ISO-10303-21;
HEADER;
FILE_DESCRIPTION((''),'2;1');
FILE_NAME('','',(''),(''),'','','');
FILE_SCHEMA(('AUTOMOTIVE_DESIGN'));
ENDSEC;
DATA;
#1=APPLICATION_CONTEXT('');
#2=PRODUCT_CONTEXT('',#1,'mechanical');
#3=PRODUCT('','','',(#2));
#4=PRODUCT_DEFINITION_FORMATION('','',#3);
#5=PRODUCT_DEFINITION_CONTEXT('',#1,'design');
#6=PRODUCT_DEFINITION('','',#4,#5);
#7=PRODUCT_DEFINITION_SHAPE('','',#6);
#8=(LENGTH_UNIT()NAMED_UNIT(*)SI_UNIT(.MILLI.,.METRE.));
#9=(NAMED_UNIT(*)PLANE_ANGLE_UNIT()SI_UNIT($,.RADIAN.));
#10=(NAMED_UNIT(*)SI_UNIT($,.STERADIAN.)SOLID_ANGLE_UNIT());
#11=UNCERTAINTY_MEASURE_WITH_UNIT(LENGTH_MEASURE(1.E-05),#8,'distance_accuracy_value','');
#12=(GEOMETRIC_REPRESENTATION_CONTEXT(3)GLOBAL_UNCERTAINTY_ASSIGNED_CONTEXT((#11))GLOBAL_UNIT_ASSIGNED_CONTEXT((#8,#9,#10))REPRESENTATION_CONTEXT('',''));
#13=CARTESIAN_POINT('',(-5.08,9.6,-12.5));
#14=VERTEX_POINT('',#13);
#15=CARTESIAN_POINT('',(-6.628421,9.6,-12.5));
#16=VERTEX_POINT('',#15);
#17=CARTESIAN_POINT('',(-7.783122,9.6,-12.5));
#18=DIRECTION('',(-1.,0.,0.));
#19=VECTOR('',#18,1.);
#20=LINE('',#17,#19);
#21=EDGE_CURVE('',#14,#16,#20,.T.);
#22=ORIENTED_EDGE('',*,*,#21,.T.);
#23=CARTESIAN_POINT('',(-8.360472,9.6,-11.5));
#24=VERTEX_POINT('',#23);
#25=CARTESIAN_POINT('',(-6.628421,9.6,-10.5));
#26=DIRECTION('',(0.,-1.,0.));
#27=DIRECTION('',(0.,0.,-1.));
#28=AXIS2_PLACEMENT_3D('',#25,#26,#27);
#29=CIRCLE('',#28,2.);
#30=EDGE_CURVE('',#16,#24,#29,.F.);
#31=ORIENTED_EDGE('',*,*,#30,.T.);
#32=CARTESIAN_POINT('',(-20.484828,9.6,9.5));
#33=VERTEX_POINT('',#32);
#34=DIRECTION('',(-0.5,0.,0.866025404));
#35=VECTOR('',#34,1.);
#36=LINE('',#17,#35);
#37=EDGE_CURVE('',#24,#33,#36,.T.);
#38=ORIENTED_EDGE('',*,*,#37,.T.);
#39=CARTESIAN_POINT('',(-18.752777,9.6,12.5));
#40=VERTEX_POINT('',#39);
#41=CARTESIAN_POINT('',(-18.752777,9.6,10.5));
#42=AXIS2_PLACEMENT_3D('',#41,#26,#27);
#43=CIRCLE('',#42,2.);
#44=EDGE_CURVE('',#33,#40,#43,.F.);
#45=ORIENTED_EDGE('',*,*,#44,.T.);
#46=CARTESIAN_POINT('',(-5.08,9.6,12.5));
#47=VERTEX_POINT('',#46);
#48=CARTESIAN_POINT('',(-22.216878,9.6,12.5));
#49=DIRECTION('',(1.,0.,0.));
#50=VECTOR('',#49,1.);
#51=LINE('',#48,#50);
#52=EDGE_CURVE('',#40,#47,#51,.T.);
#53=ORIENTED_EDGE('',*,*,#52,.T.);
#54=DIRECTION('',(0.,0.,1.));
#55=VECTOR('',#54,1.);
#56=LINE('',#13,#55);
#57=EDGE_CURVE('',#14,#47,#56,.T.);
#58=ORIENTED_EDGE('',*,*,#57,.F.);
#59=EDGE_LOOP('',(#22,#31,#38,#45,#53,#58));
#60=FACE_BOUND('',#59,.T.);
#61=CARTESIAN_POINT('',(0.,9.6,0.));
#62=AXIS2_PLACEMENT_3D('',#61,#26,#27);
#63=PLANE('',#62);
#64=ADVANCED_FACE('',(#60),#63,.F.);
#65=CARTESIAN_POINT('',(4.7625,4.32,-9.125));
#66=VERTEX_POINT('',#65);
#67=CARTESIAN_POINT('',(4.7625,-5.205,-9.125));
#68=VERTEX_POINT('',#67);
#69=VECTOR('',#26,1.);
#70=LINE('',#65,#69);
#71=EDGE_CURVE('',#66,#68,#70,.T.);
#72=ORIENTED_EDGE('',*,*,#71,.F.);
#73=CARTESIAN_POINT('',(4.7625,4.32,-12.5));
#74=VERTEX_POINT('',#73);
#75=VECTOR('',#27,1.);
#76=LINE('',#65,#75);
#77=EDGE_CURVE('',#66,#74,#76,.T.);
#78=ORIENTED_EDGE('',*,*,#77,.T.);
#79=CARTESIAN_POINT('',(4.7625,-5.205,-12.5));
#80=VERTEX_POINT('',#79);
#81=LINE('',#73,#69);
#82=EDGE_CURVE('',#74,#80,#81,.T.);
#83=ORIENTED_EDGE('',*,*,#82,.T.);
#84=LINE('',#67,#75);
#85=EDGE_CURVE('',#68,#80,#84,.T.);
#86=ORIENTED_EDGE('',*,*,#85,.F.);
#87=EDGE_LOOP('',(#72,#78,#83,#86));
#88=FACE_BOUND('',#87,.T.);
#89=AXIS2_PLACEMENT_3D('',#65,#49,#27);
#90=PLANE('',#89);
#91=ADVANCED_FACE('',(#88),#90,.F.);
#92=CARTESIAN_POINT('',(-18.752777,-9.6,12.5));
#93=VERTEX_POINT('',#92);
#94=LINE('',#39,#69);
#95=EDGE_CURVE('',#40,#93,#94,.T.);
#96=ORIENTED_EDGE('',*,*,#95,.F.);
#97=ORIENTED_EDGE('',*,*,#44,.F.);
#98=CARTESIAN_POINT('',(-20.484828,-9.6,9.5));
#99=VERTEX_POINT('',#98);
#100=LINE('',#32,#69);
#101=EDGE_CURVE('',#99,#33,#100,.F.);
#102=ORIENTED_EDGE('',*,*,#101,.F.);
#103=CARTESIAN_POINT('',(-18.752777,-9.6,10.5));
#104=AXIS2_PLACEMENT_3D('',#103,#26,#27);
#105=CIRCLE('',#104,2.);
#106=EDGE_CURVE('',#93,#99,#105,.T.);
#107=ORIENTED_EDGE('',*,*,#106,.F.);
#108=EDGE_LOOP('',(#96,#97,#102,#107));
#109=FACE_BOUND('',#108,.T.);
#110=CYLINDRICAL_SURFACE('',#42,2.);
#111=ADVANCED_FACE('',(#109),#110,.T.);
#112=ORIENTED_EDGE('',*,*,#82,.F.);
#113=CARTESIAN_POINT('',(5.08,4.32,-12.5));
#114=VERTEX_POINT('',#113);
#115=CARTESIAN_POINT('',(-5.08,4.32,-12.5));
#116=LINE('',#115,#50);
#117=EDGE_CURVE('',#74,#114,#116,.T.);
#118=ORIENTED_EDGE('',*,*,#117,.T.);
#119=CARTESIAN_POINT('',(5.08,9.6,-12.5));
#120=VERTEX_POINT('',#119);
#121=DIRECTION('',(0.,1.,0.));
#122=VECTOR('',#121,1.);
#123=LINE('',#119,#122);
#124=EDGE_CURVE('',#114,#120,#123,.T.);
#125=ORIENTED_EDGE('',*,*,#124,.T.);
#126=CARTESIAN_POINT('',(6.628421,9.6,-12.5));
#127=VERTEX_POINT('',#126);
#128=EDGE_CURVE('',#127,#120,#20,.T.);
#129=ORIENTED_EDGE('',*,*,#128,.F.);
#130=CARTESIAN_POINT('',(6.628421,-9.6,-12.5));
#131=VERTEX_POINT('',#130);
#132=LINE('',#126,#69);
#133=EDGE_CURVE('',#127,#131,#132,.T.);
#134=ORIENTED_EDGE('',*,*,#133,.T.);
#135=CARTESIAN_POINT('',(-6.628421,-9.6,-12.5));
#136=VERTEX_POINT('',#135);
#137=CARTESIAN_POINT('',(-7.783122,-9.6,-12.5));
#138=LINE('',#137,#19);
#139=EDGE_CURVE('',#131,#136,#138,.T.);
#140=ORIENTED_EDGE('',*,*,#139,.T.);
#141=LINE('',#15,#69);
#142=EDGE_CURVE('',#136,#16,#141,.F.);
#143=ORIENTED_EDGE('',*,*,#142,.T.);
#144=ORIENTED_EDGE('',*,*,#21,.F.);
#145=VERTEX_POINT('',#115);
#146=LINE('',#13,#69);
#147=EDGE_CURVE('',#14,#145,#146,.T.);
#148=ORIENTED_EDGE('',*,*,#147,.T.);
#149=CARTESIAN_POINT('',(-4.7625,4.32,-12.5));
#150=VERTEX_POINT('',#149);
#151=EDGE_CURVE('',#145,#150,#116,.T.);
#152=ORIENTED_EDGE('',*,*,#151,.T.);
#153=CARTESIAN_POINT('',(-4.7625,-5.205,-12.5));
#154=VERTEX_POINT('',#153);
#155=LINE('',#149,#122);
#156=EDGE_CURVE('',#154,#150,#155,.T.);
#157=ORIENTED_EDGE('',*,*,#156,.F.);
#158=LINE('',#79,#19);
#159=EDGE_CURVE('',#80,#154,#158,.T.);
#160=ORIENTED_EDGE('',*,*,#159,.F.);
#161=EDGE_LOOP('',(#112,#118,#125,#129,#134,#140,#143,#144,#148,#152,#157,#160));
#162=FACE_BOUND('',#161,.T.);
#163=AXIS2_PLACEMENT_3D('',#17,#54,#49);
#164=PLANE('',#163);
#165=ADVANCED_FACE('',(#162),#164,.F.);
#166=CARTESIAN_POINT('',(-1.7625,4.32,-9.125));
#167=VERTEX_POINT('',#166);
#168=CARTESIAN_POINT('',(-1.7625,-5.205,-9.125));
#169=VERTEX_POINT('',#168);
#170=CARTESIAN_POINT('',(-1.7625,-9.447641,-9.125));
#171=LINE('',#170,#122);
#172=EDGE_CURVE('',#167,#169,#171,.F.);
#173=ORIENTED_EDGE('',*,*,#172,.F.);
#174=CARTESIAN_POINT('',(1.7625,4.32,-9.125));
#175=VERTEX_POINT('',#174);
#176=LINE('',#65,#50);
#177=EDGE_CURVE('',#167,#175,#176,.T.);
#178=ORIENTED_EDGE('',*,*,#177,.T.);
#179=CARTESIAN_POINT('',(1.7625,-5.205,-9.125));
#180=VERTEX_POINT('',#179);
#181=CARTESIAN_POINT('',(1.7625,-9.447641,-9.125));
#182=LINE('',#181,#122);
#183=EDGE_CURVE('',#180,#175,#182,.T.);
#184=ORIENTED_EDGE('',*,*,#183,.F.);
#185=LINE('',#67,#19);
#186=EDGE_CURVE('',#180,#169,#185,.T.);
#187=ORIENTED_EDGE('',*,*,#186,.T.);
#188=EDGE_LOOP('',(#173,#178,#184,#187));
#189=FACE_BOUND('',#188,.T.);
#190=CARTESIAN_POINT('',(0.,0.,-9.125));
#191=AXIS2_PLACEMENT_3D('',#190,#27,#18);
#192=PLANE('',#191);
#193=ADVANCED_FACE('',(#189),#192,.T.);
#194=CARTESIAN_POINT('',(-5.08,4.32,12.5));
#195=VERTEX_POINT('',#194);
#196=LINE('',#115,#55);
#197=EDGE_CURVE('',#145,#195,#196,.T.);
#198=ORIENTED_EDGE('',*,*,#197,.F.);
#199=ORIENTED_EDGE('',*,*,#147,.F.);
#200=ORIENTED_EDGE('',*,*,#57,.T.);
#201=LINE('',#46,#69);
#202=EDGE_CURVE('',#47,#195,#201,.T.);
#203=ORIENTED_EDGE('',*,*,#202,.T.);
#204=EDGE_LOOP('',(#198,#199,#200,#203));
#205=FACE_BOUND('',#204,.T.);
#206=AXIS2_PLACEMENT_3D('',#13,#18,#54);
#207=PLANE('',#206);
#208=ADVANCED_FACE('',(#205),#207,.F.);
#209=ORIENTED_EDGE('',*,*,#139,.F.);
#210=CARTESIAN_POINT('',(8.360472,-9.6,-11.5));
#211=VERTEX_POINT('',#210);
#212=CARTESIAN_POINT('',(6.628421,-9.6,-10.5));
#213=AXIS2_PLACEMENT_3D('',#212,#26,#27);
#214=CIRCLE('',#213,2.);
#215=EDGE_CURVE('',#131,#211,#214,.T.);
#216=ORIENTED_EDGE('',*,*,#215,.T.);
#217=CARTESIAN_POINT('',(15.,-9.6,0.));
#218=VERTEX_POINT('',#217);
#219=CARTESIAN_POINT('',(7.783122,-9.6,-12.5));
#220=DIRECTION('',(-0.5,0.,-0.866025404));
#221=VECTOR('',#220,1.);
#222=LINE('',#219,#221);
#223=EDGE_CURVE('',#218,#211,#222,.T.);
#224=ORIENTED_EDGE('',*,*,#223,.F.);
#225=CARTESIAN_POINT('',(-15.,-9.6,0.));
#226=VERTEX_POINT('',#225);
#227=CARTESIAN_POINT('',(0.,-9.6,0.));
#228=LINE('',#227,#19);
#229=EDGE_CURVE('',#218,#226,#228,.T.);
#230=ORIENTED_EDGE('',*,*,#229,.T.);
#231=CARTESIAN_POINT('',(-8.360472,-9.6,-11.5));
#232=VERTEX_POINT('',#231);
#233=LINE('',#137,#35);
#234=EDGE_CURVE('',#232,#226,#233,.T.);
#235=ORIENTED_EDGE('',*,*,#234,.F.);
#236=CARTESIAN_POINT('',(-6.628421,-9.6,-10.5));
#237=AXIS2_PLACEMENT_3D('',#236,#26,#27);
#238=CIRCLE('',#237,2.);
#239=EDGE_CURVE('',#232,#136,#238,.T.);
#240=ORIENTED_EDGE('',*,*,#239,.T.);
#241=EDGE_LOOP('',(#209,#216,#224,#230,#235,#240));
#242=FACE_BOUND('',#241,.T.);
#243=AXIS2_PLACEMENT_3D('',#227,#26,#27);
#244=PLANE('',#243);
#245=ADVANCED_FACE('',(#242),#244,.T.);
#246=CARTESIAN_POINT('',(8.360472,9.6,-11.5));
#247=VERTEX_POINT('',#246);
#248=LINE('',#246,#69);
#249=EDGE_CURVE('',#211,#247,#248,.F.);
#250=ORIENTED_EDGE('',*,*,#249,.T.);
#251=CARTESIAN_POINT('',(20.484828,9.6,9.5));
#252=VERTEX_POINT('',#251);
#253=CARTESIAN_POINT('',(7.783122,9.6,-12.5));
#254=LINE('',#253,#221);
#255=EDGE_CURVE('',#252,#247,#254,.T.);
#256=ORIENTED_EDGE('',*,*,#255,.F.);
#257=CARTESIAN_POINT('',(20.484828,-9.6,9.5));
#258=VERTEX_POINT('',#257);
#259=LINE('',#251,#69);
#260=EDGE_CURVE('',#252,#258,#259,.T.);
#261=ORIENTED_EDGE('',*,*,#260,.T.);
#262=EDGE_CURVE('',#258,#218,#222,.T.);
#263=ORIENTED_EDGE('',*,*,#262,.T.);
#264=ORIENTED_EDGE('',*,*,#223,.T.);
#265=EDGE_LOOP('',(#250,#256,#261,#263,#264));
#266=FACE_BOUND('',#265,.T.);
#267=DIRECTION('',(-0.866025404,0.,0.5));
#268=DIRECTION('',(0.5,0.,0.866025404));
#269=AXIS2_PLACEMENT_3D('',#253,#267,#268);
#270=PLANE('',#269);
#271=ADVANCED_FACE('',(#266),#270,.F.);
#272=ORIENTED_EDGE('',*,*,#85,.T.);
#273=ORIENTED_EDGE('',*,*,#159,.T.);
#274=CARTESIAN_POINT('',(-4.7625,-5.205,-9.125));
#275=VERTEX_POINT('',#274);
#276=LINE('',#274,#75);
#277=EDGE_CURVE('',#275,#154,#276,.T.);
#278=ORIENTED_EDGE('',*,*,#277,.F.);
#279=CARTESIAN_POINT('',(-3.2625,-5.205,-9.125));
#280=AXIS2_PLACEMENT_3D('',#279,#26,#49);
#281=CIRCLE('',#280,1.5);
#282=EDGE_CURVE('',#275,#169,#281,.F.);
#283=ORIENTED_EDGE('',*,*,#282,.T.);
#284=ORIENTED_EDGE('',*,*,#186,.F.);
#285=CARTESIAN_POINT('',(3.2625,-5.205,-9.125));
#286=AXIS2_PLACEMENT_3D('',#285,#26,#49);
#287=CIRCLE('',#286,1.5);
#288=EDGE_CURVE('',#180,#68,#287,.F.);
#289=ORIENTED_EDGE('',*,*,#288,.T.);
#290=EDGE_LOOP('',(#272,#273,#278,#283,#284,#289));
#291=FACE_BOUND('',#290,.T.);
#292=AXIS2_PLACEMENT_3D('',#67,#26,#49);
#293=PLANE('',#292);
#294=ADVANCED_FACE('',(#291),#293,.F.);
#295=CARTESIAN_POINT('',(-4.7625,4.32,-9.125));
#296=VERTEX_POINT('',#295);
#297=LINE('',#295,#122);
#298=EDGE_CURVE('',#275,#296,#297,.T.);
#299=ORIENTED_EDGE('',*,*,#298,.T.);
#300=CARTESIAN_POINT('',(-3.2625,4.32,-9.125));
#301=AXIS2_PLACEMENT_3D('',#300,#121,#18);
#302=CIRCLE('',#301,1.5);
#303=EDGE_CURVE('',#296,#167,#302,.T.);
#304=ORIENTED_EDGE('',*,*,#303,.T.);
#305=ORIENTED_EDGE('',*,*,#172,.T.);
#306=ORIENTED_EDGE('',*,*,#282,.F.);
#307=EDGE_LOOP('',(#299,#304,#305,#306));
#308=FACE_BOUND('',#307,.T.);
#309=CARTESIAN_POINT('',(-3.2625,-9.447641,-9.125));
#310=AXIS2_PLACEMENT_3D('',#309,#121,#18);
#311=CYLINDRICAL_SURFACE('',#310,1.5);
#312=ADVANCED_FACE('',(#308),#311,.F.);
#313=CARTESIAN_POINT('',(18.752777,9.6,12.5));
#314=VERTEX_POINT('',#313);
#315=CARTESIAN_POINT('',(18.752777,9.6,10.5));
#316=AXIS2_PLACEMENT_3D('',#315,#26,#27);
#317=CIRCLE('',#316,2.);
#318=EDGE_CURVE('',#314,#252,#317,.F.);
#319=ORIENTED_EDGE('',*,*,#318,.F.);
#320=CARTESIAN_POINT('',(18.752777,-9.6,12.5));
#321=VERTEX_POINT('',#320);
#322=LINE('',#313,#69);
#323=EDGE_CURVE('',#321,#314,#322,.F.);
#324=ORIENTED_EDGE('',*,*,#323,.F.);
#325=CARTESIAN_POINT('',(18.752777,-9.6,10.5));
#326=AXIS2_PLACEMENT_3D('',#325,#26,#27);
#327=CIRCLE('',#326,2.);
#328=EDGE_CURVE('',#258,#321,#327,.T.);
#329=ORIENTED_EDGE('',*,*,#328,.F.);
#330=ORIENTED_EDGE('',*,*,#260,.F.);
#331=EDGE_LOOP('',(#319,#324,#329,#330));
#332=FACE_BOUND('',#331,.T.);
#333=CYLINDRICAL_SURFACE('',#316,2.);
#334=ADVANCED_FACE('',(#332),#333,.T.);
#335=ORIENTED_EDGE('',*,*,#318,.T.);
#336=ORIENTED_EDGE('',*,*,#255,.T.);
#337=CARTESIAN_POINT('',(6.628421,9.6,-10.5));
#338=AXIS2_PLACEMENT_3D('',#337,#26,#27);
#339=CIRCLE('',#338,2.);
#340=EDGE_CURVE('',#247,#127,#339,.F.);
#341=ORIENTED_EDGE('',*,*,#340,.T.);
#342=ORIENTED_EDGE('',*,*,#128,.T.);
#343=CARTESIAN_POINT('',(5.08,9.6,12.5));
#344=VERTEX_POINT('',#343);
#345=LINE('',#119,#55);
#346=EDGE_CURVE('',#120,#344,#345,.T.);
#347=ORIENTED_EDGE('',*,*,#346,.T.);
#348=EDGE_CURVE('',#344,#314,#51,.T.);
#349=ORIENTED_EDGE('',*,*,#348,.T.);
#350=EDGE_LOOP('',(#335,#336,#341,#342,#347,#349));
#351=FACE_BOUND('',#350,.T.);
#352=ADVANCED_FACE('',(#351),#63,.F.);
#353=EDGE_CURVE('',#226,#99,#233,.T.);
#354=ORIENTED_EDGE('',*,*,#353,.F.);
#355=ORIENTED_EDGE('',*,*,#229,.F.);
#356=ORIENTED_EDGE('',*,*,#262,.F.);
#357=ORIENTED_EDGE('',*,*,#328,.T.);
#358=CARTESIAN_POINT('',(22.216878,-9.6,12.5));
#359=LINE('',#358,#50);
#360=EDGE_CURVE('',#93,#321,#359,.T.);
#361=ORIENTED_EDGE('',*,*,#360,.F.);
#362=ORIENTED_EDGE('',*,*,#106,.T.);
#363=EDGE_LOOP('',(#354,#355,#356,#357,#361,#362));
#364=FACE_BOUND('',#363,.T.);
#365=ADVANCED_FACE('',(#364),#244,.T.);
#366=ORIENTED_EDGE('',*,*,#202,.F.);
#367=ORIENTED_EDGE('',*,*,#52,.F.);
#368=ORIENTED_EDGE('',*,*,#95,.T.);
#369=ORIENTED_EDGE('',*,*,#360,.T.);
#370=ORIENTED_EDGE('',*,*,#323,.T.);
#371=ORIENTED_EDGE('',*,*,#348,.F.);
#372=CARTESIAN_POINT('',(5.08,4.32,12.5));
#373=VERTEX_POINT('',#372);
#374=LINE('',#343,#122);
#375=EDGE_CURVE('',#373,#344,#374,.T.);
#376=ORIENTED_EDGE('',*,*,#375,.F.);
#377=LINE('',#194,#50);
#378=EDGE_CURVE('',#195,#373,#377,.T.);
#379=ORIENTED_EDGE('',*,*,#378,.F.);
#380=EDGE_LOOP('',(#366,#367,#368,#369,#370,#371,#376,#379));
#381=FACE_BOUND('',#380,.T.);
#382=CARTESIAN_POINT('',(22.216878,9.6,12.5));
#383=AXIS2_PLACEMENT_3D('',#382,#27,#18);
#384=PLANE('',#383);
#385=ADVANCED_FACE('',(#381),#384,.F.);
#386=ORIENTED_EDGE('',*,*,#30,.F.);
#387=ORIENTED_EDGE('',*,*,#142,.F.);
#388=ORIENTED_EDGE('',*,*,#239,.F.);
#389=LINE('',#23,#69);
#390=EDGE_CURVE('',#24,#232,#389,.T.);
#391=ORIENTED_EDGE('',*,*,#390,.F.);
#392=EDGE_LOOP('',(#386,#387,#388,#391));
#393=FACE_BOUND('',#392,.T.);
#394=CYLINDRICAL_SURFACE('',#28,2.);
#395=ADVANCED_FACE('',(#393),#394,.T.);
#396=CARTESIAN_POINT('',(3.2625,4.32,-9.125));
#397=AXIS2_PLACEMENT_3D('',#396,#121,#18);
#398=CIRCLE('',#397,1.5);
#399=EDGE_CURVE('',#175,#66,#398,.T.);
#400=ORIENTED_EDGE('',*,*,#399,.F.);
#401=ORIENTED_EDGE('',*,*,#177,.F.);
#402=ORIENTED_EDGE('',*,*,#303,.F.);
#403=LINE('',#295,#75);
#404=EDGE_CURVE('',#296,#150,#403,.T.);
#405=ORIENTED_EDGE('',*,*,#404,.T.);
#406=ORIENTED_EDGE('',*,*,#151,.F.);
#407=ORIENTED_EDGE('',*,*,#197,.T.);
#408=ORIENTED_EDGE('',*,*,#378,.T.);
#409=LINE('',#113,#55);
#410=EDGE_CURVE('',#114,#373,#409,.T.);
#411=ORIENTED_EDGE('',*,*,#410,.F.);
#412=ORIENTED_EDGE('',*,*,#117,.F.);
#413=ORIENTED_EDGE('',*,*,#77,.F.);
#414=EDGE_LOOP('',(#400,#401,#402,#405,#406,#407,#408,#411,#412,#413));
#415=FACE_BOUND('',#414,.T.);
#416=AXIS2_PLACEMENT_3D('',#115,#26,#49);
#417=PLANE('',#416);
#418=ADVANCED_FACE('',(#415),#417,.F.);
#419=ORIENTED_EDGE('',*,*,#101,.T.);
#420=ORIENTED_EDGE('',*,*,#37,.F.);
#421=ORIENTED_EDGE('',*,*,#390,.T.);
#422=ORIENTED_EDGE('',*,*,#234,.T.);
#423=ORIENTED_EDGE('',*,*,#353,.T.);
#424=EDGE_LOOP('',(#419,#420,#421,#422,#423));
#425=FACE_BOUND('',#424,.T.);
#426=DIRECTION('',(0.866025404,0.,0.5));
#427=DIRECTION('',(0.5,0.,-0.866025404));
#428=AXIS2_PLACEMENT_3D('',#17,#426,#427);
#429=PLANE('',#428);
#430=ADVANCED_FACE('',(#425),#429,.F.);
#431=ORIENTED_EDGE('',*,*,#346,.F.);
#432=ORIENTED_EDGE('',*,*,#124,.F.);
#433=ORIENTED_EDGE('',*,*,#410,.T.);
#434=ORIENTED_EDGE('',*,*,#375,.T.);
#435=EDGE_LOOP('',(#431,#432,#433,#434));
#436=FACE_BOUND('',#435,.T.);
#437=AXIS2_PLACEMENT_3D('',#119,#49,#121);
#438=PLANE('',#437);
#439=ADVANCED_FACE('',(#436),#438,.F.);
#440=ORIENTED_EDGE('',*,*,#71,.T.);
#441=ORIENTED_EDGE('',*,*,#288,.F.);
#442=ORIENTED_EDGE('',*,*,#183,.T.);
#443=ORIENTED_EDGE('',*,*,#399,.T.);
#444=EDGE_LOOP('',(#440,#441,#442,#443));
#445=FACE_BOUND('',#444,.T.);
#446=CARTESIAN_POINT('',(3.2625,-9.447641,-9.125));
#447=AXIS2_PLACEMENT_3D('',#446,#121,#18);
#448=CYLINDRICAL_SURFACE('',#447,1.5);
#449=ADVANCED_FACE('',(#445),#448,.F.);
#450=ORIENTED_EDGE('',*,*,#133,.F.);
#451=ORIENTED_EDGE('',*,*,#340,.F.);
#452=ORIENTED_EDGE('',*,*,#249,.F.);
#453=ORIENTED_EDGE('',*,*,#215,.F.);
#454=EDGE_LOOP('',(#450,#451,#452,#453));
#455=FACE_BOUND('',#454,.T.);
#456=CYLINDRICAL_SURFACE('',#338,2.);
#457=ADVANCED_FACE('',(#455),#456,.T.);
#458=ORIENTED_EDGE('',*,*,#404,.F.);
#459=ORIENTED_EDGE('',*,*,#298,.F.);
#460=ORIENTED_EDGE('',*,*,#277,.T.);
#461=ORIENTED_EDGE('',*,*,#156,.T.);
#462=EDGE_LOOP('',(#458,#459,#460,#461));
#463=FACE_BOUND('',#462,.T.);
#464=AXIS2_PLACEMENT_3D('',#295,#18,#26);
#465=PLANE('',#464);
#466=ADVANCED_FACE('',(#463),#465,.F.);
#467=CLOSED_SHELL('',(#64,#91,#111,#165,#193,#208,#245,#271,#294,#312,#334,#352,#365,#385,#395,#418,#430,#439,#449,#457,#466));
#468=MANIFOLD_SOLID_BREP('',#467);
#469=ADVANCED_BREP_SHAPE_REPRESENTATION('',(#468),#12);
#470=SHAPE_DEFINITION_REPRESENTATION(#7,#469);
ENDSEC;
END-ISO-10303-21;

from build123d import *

# Parameters (mm, degrees)
BOSS_EXTRUDE1_DEPTH = 9.6
FILLET5_R           = 2
SKETCH7_W           = 10.16
SKETCH7_H           = 5.28
CUT_EXTRUDE6_DEPTH  = 34.879754173
SKETCH11_W          = 9.525
SKETCH11_H          = 9.525
CUT_EXTRUDE9_DEPTH  = 3.375
SKETCH12_R          = 1.5
CUT_EXTRUDE10_DEPTH = 9.525


with BuildPart() as part:
    # Sketch1 → Boss-Extrude1 (new, symmetric)
    with BuildSketch(Plane(origin=(0, 0, 0), x_dir=(1, 0, 0), z_dir=(0, 1, 0))):
        Polygon((-14.297771125, -12.5), (14.297771125, -12.5), (22.216878365, -12.5), (7.783121635, 12.5), (-7.783121635, 12.5), (-22.216878365, -12.5), align=None)
    extrude(amount=BOSS_EXTRUDE1_DEPTH, both=True)

    # Fillet5
    fillet5_edges = [part.edges().sort_by_distance(p)[0] for p in [
        (-22.216878365, 0, 12.5),
        (-7.783121635, 0, -12.5),
        (7.783121635, 0, -12.5),
        (22.216878365, 0, 12.5),
    ]]
    fillet(fillet5_edges, radius=FILLET5_R)

    # Sketch7 → Cut-Extrude6 (cut, through all)
    with BuildSketch(Plane.XY.offset(12.5)):
        with Locations((0, 6.96)):
            Rectangle(SKETCH7_W, SKETCH7_H)
    extrude(amount=-CUT_EXTRUDE6_DEPTH, mode=Mode.SUBTRACT)

    # Sketch11 → Cut-Extrude9 (cut)
    with BuildSketch(Plane(origin=(0, 0, -12.5), x_dir=(-1, 0, 0), z_dir=(0, 0, -1))):
        with Locations((0, -0.4425)):
            Rectangle(SKETCH11_W, SKETCH11_H)
    extrude(amount=-CUT_EXTRUDE9_DEPTH, mode=Mode.SUBTRACT)

    # Sketch12 → Cut-Extrude10 (cut)
    with BuildSketch(Plane(origin=(0, 4.32, 0), x_dir=(1, 0, 0), z_dir=(0, 1, 0))):
        with Locations((3.2625, 9.125)):
            Circle(SKETCH12_R)
        with Locations((-3.2625, 9.125)):
            Circle(SKETCH12_R)
    extrude(amount=-CUT_EXTRUDE10_DEPTH, mode=Mode.SUBTRACT)


solid = part.part
